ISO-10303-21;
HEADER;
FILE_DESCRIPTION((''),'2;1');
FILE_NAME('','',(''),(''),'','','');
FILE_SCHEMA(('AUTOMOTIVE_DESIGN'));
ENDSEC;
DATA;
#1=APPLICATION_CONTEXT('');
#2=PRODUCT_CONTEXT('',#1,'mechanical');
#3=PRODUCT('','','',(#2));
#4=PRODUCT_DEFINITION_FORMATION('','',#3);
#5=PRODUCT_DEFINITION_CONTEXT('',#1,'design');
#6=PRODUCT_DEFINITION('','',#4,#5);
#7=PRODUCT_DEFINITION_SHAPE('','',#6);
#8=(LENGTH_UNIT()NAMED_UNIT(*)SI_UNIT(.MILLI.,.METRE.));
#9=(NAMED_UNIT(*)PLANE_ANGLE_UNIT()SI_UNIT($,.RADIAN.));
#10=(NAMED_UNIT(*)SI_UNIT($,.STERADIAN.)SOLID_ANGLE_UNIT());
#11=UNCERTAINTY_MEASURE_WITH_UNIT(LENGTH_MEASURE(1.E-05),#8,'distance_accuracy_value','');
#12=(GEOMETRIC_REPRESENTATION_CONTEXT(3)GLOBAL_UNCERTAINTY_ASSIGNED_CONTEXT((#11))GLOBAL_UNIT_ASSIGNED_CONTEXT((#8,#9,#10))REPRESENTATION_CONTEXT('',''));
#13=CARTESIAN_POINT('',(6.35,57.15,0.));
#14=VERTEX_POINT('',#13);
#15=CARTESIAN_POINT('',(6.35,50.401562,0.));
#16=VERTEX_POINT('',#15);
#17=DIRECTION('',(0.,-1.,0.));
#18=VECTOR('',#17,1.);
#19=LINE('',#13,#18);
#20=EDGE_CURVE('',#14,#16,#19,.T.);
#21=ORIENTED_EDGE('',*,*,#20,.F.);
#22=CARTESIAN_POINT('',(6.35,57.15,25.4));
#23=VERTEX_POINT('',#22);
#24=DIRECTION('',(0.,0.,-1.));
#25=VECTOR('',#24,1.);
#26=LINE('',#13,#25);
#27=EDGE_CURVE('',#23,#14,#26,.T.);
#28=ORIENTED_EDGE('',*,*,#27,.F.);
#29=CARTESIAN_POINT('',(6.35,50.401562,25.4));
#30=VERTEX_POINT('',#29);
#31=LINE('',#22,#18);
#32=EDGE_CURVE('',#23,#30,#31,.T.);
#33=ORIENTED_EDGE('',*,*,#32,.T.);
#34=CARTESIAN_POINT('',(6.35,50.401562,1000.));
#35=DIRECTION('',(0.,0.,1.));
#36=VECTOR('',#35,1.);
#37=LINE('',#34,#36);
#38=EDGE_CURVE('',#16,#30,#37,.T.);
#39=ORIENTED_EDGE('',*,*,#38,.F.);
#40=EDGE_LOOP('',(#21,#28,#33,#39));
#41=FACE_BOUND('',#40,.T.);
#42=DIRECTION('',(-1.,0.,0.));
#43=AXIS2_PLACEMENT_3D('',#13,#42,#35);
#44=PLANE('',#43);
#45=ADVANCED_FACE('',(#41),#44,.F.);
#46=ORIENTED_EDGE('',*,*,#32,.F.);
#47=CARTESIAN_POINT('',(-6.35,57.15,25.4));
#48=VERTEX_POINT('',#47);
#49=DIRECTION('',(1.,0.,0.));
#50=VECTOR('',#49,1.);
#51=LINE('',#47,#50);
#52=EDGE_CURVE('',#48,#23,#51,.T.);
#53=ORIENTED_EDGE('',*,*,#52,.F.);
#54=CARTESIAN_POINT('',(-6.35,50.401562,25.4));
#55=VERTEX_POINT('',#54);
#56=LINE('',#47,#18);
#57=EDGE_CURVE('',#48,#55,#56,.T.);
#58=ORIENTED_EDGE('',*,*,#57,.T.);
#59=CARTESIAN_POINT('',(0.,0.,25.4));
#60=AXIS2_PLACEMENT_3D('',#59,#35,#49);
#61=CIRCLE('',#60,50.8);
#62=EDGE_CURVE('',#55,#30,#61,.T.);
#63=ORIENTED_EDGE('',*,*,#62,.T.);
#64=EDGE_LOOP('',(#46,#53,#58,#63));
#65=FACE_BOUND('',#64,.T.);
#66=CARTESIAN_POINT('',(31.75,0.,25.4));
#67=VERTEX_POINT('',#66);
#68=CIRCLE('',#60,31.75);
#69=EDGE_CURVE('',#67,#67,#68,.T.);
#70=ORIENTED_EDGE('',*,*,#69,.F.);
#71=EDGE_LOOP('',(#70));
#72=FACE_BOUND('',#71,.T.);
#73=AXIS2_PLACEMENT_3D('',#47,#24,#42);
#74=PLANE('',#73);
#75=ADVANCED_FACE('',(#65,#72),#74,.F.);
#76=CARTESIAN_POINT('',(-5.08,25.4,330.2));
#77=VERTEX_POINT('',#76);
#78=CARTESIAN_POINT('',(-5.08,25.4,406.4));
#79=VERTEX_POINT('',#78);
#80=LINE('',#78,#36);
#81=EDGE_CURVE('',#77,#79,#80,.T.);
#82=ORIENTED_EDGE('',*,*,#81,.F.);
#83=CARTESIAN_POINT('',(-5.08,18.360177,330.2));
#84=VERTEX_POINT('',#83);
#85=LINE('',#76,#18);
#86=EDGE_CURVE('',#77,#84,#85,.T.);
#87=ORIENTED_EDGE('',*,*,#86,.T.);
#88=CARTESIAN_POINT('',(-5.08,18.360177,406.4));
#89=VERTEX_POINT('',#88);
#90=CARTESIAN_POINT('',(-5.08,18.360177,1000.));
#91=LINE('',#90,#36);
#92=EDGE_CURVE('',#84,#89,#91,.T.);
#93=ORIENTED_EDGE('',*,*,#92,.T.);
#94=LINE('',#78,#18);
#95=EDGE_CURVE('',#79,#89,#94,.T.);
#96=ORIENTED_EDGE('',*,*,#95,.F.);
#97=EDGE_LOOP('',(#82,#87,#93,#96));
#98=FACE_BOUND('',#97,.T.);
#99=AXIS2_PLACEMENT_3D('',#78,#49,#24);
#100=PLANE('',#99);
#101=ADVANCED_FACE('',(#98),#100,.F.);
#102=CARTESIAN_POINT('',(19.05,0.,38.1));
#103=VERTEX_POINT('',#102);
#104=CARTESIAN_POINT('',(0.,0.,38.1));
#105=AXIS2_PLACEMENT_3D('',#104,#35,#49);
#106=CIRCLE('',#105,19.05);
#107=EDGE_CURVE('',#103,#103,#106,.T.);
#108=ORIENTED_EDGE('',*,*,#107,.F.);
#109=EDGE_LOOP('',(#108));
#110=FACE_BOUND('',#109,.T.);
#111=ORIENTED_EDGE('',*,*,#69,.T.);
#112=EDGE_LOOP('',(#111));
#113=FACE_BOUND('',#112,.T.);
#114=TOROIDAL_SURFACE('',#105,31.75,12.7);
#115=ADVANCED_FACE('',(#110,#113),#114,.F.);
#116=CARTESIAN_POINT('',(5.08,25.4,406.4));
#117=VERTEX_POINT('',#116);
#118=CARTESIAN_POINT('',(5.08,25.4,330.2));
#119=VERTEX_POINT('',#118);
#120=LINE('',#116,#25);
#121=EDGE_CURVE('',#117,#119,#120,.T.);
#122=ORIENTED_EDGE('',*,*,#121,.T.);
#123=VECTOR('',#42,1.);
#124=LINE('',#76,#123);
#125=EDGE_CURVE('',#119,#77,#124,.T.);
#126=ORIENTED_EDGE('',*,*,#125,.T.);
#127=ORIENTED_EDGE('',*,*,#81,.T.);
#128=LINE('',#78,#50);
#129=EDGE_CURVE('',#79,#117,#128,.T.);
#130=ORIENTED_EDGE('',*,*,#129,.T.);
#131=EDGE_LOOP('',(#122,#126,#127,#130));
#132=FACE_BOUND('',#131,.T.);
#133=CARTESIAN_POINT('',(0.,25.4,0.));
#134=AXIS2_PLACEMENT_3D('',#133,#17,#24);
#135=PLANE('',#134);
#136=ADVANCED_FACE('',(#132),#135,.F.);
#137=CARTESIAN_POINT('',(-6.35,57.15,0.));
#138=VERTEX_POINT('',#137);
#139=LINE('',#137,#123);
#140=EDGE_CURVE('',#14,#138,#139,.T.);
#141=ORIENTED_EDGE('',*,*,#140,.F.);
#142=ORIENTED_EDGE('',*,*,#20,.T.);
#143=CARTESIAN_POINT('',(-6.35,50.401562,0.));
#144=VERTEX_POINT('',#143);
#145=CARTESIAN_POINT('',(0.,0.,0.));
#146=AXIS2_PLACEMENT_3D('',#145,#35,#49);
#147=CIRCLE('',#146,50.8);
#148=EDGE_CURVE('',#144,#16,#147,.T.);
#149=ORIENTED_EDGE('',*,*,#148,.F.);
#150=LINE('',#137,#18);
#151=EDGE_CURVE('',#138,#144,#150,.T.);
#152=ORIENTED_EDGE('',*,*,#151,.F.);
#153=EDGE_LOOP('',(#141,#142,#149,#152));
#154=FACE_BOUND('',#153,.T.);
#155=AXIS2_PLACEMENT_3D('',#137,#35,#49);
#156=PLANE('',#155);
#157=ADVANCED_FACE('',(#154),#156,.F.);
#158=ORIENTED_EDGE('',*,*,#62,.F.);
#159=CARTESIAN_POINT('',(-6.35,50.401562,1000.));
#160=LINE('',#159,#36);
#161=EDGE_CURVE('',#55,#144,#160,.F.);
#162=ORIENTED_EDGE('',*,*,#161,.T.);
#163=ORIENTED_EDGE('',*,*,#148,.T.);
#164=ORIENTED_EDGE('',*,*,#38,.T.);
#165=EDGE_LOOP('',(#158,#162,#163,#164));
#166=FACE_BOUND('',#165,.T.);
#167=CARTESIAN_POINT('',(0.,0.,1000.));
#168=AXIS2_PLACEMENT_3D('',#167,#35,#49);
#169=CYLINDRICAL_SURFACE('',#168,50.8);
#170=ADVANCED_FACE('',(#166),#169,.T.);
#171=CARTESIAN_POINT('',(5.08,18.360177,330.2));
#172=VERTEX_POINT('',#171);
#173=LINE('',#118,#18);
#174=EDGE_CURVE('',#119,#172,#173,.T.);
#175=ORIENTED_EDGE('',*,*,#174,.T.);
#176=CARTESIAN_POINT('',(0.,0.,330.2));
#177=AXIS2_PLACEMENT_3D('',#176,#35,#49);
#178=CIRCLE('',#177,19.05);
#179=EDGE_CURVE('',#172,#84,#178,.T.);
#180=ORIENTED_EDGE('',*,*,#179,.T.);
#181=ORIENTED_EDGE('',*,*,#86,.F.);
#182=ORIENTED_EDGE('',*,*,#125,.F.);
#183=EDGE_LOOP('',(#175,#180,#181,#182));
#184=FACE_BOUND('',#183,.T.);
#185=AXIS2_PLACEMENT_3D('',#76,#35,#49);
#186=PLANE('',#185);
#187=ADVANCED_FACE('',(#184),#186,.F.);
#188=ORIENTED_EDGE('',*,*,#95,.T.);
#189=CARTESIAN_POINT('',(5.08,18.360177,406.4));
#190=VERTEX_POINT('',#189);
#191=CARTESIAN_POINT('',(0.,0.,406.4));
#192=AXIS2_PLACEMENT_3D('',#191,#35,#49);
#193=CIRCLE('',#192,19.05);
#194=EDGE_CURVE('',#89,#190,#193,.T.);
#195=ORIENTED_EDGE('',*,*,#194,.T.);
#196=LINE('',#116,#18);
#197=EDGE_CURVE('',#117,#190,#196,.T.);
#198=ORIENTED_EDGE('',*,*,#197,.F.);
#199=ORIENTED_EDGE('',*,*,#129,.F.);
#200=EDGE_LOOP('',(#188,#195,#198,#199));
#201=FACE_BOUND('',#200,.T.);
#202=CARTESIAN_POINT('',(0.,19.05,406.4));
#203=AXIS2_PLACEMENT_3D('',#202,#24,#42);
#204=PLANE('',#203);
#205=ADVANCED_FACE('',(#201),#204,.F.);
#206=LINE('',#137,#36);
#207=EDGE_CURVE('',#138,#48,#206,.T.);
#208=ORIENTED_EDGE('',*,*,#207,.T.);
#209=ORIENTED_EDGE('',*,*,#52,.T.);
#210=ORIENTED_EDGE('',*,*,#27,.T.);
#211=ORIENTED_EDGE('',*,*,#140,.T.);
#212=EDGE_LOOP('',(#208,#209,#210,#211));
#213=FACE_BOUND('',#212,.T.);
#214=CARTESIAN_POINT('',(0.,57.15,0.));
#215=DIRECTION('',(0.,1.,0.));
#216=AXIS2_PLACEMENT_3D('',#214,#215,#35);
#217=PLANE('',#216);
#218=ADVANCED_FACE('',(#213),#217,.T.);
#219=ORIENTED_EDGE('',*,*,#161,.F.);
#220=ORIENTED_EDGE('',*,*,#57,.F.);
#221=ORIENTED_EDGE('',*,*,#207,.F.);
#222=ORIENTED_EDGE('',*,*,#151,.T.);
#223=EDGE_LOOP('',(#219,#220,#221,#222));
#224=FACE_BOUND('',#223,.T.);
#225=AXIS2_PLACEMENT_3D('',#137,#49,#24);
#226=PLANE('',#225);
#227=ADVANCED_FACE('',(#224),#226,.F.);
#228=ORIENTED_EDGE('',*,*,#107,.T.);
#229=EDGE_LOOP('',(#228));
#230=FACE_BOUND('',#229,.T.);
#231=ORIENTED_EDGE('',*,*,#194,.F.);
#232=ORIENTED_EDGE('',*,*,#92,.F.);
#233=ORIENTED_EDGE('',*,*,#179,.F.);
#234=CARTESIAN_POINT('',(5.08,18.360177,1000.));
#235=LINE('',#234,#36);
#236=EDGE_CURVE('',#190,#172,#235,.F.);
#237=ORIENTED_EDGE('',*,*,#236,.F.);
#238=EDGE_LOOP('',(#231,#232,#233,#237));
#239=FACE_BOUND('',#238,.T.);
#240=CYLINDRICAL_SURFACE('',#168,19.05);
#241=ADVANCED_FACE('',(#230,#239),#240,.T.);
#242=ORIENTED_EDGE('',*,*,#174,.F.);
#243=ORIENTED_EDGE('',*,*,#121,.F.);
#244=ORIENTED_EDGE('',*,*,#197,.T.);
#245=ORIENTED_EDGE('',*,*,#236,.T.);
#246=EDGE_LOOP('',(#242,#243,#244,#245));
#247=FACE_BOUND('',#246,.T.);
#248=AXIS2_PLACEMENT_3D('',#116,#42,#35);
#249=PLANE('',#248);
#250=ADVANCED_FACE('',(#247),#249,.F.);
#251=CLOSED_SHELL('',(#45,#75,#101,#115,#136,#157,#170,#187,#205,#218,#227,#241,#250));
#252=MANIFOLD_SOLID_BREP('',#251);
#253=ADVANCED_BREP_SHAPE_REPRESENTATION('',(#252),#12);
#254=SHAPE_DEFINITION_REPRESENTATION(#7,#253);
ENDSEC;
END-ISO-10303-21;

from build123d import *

# Parameters (mm, degrees)
SKETCH2_W           = 12.7
SKETCH2_H           = 25.4
BOSS_EXTRUDE2_DEPTH = 57.15
SKETCH3_W           = 10.16
SKETCH3_H           = 76.2
BOSS_EXTRUDE3_DEPTH = 25.4


with BuildPart() as part:
    # Sketch2 → Boss-Extrude2 (new body)
    with BuildSketch(Plane(origin=(0, 0, 0), x_dir=(1, 0, 0), z_dir=(0, 1, 0))):
        with Locations((0, -12.7)):
            Rectangle(SKETCH2_W, SKETCH2_H)
    extrude(amount=BOSS_EXTRUDE2_DEPTH)



with BuildPart() as body_2:
    # Sketch3 → Boss-Extrude3 (new body)
    with BuildSketch(Plane(origin=(0, 0, 0), x_dir=(1, 0, 0), z_dir=(0, 1, 0))):
        with Locations((0, -368.3)):
            Rectangle(SKETCH3_W, SKETCH3_H)
    extrude(amount=BOSS_EXTRUDE3_DEPTH)


with BuildPart() as part_1:
    add(part.part)

    add(body_2.part)  # Revolve2 merges body 2
    # Sketch4 → Revolve2 (revolve)
    with BuildSketch(Plane(origin=(0, 0, 0), x_dir=(0, 0, -1), z_dir=(1, 0, 0)), mode=Mode.PRIVATE) as revolve2_sk:
        with BuildLine():
            Line((0, 0), (0, 50.8))
            Line((0, 50.8), (-25.4, 50.8))
            Line((-25.4, 50.8), (-25.4, 31.75))
            ThreePointArc((-25.4, 31.75), (-29.119743879, 22.769743879), (-38.1, 19.05))
            Line((-38.1, 19.05), (-406.4, 19.05))
            Line((-406.4, 19.05), (-406.4, 0))
            Line((-406.4, 0), (0, 0))
        make_face()
    revolve(revolve2_sk.sketch.rotate(Axis((0, 0, 1000), (0, 0, -1)), 90), axis=Axis((0, 0, 1000), (0, 0, -1)))


solid = part_1.part
